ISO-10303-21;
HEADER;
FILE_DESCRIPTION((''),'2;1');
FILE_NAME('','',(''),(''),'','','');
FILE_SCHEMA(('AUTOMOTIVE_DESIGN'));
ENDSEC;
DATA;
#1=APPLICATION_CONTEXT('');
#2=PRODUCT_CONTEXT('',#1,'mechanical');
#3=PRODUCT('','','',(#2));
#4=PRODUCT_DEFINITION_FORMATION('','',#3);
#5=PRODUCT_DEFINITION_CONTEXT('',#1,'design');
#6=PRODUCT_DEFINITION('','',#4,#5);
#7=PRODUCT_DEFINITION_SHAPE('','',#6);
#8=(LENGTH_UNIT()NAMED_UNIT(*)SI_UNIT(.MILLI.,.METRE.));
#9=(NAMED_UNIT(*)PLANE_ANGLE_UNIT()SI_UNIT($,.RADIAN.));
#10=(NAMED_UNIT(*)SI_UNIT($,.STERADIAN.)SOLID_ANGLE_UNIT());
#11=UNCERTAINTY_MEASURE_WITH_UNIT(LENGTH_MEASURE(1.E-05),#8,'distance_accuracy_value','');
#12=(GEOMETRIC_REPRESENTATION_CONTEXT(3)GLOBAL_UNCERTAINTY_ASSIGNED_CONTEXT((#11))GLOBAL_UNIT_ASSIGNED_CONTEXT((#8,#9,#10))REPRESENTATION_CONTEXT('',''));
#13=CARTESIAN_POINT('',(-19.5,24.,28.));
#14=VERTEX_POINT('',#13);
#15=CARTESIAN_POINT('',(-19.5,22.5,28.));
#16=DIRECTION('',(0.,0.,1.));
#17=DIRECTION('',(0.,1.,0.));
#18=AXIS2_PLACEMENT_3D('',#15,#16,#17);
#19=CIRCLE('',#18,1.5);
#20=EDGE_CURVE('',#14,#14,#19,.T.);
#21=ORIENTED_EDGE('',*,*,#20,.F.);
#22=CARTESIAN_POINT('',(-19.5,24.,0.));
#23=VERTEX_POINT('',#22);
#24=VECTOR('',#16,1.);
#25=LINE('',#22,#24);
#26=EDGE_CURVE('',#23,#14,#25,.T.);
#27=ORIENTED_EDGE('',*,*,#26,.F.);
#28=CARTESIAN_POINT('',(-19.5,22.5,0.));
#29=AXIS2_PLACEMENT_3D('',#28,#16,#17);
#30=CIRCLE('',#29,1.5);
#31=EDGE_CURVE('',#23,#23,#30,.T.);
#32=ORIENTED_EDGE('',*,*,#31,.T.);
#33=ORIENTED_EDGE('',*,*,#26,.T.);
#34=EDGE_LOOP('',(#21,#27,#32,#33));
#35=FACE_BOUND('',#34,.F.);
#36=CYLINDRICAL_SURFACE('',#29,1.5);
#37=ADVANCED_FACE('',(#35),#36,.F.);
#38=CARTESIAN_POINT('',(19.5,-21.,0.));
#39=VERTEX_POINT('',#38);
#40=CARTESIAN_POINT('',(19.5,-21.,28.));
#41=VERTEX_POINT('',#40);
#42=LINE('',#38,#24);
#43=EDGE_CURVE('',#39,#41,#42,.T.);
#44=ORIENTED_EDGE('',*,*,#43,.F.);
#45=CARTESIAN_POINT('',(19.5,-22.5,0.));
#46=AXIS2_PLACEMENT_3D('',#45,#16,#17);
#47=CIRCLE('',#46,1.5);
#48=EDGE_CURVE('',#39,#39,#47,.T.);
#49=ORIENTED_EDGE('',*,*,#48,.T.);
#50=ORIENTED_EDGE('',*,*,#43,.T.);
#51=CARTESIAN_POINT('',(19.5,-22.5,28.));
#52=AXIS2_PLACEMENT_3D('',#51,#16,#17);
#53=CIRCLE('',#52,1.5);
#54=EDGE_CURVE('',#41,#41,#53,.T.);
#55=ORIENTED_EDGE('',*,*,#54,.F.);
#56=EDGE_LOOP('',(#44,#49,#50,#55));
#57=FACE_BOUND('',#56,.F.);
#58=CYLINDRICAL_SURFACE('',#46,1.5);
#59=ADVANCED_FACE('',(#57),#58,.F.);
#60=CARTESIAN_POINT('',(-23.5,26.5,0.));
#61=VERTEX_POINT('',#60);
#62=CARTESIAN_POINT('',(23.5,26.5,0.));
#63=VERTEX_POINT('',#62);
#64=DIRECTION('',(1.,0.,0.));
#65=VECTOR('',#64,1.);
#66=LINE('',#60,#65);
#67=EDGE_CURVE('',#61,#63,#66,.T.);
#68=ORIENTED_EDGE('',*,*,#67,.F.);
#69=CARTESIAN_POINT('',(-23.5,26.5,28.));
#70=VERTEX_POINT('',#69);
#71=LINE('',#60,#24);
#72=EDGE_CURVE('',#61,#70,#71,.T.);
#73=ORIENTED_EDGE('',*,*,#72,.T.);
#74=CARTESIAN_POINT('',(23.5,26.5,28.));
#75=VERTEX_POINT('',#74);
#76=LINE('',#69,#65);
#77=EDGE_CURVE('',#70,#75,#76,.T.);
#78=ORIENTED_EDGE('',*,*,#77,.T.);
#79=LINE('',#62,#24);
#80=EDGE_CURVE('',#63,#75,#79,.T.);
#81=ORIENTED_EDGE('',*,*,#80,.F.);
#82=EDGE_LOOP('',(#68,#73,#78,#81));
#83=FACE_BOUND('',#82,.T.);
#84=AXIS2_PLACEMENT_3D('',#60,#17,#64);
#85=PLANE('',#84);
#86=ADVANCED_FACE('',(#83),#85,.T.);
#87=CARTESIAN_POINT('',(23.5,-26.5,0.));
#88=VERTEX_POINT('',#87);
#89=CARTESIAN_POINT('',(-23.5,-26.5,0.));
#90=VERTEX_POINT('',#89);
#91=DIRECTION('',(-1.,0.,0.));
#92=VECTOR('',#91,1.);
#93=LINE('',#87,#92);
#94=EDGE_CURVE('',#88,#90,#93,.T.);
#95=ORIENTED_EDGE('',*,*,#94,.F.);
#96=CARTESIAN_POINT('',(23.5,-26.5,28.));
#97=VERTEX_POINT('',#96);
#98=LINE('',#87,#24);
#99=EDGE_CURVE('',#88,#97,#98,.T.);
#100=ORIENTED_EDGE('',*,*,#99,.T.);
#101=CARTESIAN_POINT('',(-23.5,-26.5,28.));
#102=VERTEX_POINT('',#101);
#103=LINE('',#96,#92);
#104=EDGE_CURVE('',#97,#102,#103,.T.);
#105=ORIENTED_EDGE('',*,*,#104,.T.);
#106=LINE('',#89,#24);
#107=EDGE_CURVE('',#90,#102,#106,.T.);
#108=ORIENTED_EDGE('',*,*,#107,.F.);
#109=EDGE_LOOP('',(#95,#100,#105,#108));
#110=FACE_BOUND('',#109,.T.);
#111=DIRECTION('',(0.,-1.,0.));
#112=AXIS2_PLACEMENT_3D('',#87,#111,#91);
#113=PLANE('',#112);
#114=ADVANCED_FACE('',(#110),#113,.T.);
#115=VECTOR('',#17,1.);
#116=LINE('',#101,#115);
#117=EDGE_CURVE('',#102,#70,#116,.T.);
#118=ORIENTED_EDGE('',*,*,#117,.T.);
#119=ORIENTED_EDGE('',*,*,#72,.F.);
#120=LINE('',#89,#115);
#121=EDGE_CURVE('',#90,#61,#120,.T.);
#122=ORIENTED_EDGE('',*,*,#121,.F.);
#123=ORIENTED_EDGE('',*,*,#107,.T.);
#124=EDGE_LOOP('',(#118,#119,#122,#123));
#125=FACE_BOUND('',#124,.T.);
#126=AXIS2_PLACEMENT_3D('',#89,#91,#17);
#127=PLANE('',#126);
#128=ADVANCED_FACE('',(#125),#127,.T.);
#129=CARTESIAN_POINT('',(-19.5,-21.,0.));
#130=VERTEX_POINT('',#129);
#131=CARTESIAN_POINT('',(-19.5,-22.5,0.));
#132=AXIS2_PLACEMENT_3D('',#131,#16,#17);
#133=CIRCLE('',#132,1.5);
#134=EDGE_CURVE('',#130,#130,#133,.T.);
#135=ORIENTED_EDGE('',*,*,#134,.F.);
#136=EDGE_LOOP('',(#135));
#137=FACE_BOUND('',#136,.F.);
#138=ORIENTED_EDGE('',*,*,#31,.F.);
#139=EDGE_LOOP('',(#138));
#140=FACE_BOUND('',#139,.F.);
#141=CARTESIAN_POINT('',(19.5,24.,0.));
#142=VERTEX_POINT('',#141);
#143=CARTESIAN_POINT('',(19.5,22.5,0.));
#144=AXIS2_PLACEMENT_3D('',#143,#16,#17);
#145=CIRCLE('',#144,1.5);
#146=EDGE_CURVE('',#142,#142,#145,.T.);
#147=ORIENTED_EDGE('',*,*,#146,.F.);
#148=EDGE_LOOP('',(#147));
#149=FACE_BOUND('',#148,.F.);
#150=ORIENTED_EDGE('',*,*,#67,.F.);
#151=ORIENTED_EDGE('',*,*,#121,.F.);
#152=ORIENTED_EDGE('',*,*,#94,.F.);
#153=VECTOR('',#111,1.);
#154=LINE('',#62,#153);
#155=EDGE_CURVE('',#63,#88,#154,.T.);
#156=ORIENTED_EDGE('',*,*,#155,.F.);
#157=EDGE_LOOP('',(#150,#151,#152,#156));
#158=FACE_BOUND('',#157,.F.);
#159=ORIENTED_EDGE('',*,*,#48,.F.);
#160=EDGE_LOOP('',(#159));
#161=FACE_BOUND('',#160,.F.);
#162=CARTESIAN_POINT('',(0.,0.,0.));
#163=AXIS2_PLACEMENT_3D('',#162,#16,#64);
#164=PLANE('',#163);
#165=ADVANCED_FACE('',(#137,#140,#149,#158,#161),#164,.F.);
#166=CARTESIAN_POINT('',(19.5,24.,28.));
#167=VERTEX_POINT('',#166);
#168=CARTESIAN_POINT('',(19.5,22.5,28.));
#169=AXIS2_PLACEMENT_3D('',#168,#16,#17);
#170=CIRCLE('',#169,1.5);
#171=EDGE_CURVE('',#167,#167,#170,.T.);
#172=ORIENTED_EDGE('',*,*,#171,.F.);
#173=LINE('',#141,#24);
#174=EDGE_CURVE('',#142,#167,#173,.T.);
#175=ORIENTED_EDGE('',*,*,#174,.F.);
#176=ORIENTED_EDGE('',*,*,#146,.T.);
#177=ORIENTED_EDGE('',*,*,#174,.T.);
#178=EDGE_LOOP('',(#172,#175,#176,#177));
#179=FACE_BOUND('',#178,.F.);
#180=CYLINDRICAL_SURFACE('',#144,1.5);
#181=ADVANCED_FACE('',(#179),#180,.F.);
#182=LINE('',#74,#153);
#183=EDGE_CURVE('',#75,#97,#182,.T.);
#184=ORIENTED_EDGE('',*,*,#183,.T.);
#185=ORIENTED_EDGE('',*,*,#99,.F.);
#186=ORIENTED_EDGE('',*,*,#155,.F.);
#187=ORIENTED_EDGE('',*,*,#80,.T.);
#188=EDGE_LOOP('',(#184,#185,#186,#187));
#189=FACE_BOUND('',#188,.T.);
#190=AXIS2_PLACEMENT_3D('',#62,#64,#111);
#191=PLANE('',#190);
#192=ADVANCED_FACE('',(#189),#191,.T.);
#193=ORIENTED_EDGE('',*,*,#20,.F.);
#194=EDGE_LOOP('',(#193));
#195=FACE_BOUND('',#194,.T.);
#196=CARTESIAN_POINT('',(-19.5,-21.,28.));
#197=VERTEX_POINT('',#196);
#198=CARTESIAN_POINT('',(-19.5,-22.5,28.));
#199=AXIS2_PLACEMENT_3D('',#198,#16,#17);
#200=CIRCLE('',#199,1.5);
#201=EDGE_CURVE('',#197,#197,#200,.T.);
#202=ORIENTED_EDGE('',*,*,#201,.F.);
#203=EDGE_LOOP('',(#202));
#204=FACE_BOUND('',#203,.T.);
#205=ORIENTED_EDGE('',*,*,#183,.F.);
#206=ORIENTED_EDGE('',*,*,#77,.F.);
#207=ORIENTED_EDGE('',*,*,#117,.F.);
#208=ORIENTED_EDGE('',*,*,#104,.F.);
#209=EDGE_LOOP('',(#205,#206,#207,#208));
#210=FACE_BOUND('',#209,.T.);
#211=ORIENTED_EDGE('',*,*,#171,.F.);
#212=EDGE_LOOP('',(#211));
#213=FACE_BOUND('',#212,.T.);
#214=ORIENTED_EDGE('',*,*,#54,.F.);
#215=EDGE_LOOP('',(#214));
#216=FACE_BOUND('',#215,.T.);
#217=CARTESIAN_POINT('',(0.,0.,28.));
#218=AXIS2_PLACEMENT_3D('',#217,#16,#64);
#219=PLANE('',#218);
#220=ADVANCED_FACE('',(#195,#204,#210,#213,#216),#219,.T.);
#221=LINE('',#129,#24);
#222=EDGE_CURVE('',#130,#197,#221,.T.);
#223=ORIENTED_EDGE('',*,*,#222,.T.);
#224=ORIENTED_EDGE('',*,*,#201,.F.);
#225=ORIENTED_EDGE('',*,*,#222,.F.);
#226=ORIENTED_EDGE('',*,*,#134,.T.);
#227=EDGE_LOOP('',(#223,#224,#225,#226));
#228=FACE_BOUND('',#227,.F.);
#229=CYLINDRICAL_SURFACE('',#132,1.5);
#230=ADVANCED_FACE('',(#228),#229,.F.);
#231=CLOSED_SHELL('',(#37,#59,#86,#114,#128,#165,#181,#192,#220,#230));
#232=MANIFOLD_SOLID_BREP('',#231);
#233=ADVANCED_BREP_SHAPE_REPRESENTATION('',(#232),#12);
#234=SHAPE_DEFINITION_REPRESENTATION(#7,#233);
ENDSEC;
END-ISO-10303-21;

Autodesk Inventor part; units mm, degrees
ref_plane "YZ Plane" through (0, 0, 0) normal (1, 0, 0) x (0, 1, 0)
ref_plane "XZ Plane" through (0, 0, 0) normal (0, 1, 0) x (-1, 0, 0)
ref_plane "XY Plane" through (0, 0, 0) normal (0, 0, 1) x (1, 0, 0)
sketch "スケッチ1" plane through (0, 0, 0) normal (0, 0, 1) x (1, 0, 0)
  line L0 (-23.5, 26.5) -> (23.5, 26.5)
  line L1 (23.5, 26.5) -> (23.5, -26.5)
  line L2 (23.5, -26.5) -> (-23.5, -26.5)
  line L3 (-23.5, -26.5) -> (-23.5, 26.5)
  line L4 (-23.5, 26.5) -> (23.5, -26.5) construction
  line L5 (23.5, 26.5) -> (-23.5, -26.5) construction
  point P0 (0, 0)
  dimension "d0" = 47
  dimension "d1" = 53
extrude "押し出し1" add sketch "スケッチ1" along normal blind 28
sketch "スケッチ2" plane through (0, 0, 0) normal (0, 0, -1) x (-1, 0, 0)
  line L0 (23.5, -26.5) -> (23.5, 26.5) projected
  line L1 (23.5, -26.5) -> (-23.5, -26.5) projected
  line L2 (23.5, 26.5) -> (-23.5, 26.5) projected
  line L3 (-23.5, 26.5) -> (-23.5, -26.5) projected
  point P0 (0, 0)
  point P1 (19.5, -22.5)
  point P2 (19.5, 22.5)
  point P3 (-19.5, 22.5)
  point P4 (-19.5, -22.5)
  dimension "d4" = 4
  dimension "d5" = 4
  dimension "d6" = 4
  dimension "d7" = 4
hole "穴1" at (-19.5, -22.5, 0) at (-19.5, 22.5, 0) at (19.5, 22.5, 0) at (19.5, -22.5, 0) direction (0, 0, 1) diameter 3 end through all
properties part number "Motor board ver2"
